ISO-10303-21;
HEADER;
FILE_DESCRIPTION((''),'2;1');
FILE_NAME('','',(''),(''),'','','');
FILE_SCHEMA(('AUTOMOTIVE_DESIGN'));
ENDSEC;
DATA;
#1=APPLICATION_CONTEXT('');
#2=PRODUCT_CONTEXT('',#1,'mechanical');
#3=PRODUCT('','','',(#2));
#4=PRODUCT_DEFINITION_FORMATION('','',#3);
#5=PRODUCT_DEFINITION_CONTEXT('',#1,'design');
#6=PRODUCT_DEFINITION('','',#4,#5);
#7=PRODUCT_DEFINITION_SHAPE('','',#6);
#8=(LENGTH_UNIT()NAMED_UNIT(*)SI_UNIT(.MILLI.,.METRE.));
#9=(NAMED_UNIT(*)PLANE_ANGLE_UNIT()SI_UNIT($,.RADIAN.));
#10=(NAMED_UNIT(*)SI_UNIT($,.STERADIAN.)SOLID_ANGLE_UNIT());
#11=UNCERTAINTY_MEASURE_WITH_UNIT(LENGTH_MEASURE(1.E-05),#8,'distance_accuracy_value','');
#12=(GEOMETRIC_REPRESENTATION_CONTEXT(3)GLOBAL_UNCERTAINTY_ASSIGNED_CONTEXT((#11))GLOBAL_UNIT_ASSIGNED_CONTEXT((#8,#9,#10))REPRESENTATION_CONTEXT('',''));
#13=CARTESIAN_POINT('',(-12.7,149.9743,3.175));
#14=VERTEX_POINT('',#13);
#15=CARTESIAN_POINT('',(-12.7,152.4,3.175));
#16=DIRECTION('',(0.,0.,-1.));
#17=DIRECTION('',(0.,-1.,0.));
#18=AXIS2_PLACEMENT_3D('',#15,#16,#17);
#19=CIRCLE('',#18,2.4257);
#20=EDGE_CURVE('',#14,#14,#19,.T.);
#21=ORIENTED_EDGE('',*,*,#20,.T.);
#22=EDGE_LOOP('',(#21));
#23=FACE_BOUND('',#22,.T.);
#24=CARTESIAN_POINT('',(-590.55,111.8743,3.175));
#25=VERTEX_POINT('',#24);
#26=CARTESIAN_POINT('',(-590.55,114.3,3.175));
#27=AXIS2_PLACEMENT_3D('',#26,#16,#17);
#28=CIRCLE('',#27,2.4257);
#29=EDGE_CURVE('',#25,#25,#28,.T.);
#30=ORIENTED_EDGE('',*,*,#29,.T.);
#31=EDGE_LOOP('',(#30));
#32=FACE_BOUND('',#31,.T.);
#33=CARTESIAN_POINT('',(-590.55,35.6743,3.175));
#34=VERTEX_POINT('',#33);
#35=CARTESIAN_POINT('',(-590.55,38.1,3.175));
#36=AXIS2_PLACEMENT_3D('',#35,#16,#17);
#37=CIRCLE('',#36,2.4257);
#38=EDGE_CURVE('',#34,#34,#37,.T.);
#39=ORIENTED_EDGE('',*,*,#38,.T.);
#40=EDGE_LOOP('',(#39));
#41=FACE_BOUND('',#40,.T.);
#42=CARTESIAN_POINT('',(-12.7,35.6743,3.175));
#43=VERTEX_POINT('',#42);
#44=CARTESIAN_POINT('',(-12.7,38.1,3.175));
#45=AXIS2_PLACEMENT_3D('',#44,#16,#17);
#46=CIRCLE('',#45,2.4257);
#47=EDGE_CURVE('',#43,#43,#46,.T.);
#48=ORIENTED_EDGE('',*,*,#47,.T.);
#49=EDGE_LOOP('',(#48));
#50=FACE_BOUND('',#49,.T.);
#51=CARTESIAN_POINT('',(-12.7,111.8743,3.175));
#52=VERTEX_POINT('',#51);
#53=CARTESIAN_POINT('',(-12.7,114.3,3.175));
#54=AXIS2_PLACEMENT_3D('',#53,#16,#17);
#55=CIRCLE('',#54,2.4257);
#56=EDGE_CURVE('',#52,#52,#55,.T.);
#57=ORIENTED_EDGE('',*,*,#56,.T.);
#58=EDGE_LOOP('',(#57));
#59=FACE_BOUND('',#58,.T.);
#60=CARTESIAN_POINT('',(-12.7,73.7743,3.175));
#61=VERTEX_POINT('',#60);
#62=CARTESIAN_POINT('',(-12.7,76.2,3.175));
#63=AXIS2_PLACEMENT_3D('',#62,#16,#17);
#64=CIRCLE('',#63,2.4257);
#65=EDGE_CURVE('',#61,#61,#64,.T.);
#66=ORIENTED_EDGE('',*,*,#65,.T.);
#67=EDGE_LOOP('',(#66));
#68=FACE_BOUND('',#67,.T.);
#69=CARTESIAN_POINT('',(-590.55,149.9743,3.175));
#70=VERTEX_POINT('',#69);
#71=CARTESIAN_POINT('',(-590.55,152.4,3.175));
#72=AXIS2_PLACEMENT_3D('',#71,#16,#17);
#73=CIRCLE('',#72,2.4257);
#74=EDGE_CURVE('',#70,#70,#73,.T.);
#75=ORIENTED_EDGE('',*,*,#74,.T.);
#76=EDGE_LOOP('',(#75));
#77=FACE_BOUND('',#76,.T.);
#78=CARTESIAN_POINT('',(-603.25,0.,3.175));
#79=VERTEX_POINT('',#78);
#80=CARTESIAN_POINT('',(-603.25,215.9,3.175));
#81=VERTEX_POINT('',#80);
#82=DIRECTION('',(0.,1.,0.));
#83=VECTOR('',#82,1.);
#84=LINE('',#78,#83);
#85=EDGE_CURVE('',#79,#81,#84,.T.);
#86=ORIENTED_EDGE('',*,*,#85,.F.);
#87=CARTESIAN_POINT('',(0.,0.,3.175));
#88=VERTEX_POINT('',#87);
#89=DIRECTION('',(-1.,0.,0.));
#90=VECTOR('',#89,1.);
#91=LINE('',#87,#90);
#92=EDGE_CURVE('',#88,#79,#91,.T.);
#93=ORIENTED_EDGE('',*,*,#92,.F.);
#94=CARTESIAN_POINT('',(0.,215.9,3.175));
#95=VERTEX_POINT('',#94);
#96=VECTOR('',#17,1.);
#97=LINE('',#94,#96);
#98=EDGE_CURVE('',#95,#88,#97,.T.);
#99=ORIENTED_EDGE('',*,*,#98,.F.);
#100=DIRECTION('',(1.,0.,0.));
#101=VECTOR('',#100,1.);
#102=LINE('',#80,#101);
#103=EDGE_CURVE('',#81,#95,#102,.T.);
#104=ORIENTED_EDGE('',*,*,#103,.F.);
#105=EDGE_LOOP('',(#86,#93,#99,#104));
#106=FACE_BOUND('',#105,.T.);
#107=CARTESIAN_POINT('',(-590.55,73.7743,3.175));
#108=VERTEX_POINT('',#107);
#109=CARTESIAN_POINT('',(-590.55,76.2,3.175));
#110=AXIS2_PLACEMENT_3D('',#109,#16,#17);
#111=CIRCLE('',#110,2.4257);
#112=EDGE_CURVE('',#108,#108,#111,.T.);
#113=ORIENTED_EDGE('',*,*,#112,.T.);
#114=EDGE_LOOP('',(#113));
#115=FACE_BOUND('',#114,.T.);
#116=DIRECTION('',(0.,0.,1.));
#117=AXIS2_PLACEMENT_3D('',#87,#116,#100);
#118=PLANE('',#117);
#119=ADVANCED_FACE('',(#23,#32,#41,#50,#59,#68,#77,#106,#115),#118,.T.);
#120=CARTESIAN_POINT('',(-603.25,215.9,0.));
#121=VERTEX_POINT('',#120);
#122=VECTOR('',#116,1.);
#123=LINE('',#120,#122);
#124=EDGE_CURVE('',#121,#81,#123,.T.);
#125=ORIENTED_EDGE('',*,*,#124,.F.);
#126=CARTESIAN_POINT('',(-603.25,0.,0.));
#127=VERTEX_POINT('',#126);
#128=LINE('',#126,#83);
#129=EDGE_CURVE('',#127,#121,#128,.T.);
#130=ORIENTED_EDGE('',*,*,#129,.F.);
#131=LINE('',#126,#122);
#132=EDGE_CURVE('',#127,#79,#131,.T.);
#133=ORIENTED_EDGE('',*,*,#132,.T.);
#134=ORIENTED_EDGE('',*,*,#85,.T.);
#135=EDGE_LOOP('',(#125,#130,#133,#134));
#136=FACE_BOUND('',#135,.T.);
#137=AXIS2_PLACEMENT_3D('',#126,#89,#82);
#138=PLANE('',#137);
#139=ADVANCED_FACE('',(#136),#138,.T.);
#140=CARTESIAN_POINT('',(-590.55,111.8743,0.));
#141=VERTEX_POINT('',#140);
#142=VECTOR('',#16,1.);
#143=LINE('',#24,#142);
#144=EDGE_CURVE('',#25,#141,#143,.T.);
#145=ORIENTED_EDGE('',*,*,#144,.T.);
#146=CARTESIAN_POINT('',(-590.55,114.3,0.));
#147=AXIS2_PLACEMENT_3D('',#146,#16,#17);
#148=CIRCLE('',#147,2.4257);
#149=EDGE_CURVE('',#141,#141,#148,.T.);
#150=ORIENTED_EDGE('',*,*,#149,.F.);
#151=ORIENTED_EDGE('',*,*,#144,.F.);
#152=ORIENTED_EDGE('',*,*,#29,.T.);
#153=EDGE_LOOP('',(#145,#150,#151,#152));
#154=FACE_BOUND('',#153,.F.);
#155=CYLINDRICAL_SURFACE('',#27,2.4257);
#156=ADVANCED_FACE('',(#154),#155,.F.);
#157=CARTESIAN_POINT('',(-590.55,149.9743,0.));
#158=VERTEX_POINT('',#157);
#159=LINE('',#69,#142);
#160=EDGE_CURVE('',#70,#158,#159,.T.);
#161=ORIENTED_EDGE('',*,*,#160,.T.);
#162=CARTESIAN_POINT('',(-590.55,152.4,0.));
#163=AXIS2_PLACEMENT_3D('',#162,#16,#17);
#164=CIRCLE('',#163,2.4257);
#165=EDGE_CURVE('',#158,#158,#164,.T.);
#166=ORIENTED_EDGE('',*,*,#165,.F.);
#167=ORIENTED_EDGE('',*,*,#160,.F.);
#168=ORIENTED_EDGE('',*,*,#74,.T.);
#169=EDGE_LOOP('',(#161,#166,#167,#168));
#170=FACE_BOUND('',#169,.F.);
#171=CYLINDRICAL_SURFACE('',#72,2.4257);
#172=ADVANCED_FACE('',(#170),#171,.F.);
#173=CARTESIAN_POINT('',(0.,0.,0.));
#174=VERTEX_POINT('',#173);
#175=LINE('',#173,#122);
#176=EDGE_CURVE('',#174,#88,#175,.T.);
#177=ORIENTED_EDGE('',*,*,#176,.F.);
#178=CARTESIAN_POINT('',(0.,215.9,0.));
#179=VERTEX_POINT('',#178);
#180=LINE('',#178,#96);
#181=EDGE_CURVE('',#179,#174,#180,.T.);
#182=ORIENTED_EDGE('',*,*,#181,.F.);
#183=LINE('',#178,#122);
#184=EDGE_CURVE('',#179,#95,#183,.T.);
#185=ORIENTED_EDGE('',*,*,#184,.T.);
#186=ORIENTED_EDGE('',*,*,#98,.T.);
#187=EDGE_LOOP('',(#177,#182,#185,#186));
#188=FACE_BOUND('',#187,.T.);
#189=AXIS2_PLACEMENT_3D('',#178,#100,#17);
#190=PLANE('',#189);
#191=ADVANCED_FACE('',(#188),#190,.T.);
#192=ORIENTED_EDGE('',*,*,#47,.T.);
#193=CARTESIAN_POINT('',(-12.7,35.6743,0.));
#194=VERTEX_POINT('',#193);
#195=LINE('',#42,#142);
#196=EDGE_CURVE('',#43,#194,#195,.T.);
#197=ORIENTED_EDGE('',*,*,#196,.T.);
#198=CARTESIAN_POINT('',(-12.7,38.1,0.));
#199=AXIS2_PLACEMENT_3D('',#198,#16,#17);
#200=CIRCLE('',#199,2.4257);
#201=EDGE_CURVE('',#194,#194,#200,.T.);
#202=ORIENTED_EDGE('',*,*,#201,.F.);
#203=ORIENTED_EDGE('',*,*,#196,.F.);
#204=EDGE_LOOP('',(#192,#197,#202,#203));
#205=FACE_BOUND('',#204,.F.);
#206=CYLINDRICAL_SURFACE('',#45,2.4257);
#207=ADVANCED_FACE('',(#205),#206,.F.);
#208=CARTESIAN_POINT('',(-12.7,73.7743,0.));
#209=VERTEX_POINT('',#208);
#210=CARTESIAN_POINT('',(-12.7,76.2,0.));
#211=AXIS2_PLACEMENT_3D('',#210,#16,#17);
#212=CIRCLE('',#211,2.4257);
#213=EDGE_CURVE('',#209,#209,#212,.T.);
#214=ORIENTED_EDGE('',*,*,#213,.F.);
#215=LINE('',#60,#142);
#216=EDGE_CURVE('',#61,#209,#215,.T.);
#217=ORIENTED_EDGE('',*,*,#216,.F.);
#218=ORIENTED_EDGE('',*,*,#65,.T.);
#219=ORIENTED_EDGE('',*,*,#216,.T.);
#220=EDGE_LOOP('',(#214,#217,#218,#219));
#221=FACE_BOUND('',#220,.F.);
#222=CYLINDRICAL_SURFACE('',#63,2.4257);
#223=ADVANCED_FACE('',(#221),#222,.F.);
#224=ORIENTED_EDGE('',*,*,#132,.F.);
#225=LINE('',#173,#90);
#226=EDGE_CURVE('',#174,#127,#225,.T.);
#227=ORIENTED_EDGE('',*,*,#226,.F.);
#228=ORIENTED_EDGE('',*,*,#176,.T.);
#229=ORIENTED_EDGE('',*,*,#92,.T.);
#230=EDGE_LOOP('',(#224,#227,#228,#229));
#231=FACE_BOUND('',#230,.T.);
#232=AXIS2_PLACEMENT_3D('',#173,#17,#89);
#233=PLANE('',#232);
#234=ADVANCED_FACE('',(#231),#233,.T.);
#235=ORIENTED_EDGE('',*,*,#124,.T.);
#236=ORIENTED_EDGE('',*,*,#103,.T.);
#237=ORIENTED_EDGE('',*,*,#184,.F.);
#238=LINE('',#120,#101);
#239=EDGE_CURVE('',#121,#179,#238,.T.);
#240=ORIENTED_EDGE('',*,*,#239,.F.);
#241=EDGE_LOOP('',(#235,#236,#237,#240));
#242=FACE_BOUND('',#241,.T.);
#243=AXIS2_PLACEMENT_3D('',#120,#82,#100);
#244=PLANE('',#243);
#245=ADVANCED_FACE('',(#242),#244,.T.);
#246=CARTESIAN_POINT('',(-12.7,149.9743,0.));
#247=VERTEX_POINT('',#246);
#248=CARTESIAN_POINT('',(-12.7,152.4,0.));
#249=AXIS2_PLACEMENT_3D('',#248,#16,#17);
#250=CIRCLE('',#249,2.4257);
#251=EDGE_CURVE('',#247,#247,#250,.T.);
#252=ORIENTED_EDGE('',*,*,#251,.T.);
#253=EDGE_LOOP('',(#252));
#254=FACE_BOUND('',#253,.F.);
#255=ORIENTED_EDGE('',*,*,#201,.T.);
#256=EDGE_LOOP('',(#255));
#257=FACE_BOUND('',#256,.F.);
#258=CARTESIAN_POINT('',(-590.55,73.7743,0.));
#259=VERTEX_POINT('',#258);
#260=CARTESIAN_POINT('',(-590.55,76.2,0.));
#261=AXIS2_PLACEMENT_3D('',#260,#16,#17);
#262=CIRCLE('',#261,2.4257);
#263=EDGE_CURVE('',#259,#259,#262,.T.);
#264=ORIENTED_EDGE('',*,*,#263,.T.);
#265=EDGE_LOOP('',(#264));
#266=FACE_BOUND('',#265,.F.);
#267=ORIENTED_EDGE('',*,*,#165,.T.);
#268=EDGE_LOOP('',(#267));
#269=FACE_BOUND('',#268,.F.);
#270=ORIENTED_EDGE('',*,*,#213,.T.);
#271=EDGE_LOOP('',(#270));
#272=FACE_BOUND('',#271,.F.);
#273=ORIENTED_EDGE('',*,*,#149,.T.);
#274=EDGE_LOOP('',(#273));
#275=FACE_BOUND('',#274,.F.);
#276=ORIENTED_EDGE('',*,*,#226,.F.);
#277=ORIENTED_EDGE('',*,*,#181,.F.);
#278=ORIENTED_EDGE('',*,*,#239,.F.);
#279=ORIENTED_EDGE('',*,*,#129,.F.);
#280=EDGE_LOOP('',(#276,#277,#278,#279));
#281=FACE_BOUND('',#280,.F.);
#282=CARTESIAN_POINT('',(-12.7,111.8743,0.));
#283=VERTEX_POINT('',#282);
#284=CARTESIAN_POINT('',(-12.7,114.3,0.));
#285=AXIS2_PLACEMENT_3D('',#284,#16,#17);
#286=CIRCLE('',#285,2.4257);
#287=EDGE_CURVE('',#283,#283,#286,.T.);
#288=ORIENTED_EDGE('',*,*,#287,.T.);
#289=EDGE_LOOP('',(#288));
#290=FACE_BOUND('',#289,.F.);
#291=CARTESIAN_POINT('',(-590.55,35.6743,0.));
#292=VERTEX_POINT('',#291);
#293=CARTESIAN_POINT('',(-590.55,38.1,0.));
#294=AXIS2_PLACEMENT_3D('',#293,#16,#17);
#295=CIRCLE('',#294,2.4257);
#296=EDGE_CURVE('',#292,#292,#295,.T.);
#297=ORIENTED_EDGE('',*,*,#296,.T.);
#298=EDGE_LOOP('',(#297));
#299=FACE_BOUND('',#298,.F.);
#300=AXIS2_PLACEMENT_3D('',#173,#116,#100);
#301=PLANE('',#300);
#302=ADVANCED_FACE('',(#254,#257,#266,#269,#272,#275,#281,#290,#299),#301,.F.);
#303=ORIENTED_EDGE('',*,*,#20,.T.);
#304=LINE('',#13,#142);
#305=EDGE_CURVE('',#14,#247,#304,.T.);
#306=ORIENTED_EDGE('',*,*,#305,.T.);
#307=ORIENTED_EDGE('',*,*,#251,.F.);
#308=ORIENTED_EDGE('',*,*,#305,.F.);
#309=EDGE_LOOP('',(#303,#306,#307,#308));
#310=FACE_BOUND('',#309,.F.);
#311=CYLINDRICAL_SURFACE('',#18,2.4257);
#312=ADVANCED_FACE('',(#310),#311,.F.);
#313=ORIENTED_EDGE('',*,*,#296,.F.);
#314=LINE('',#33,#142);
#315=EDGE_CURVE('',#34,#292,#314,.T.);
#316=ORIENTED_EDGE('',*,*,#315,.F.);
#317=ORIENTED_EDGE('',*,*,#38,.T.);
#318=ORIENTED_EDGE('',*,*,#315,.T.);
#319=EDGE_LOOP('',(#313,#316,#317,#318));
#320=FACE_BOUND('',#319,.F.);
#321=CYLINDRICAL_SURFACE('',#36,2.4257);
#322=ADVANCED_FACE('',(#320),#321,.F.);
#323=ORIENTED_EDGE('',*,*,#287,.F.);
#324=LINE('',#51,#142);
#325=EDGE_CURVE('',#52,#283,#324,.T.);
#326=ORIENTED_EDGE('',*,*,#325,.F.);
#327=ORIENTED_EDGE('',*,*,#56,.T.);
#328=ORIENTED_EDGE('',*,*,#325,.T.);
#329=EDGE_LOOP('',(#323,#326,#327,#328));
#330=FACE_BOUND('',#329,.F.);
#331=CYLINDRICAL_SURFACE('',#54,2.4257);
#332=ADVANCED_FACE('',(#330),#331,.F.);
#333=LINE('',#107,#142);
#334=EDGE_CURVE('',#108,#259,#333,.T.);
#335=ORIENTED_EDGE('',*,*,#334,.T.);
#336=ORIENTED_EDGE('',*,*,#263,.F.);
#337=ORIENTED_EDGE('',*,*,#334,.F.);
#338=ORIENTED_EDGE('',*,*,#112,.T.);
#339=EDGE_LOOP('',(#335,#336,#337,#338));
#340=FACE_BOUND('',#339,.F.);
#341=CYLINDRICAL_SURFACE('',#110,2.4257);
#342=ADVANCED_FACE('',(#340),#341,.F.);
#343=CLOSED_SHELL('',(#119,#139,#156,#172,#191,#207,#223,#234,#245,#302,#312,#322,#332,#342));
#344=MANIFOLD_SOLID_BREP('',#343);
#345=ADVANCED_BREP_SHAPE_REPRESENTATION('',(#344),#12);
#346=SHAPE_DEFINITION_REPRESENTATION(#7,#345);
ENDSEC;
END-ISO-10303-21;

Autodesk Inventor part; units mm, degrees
ref_plane "YZ Plane" through (0, 0, 0) normal (1, 0, 0) x (0, 1, 0)
ref_plane "XZ Plane" through (0, 0, 0) normal (0, 1, 0) x (-1, 0, 0)
ref_plane "XY Plane" through (0, 0, 0) normal (0, 0, 1) x (1, 0, 0)
sketch "Sketch1" plane through (0, 0, 0) normal (0, 0, 1) x (1, 0, 0)
  line L0 (0, 0) -> (-603.25, 0)
  line L1 (-603.25, 0) -> (-603.25, 215.9)
  line L2 (-603.25, 215.9) -> (0, 215.9)
  line L3 (0, 215.9) -> (0, 0)
  dimension "d0" = 603.25
  dimension "d1" = 215.9
extrude "Extrusion1" add sketch "Sketch1" along normal blind 3.175
sketch "Sketch2" plane through (0, 0, 3.175) normal (0, 0, 1) x (1, 0, 0)
  line L0 (0, 215.9) -> (-603.25, 215.9) projected
  line L1 (-603.25, 0) -> (0, 0) projected
  line L2 (0, 0) -> (0, 215.9) projected
  line L3 (-301.625, 215.9) -> (-301.625, 0)
  line L4 (-603.25, 215.9) -> (-603.25, 0) projected
  point P0 (-12.7, 38.1)
  point P1 (-12.7, 76.2)
  point P2 (-12.7, 114.3)
  point P3 (-12.7, 152.4)
  point P4 (-590.55, 38.1)
  point P5 (-590.55, 76.2)
  point P6 (-590.55, 114.3)
  point P7 (-590.55, 152.4)
  dimension "d8" = 38.1
  dimension "d9" = 38.1
  dimension "d10" = 38.1
  dimension "d11" = 63.5
  dimension "d12" = 12.7
  dimension "d13" = 301.625
hole "Hole1" at (-12.7, 38.1, 3.175) at (-12.7, 76.2, 3.175) at (-12.7, 114.3, 3.175) at (-12.7, 152.4, 3.175) at (-590.55, 152.4, 3.175) at (-590.55, 114.3, 3.175) at (-590.55, 76.2, 3.175) at (-590.55, 38.1, 3.175) direction (0, 0, -1) diameter 4.8514 end through all
properties part number "LexanSheetCoverForIntake" material "Polycarbonate, Clear"
